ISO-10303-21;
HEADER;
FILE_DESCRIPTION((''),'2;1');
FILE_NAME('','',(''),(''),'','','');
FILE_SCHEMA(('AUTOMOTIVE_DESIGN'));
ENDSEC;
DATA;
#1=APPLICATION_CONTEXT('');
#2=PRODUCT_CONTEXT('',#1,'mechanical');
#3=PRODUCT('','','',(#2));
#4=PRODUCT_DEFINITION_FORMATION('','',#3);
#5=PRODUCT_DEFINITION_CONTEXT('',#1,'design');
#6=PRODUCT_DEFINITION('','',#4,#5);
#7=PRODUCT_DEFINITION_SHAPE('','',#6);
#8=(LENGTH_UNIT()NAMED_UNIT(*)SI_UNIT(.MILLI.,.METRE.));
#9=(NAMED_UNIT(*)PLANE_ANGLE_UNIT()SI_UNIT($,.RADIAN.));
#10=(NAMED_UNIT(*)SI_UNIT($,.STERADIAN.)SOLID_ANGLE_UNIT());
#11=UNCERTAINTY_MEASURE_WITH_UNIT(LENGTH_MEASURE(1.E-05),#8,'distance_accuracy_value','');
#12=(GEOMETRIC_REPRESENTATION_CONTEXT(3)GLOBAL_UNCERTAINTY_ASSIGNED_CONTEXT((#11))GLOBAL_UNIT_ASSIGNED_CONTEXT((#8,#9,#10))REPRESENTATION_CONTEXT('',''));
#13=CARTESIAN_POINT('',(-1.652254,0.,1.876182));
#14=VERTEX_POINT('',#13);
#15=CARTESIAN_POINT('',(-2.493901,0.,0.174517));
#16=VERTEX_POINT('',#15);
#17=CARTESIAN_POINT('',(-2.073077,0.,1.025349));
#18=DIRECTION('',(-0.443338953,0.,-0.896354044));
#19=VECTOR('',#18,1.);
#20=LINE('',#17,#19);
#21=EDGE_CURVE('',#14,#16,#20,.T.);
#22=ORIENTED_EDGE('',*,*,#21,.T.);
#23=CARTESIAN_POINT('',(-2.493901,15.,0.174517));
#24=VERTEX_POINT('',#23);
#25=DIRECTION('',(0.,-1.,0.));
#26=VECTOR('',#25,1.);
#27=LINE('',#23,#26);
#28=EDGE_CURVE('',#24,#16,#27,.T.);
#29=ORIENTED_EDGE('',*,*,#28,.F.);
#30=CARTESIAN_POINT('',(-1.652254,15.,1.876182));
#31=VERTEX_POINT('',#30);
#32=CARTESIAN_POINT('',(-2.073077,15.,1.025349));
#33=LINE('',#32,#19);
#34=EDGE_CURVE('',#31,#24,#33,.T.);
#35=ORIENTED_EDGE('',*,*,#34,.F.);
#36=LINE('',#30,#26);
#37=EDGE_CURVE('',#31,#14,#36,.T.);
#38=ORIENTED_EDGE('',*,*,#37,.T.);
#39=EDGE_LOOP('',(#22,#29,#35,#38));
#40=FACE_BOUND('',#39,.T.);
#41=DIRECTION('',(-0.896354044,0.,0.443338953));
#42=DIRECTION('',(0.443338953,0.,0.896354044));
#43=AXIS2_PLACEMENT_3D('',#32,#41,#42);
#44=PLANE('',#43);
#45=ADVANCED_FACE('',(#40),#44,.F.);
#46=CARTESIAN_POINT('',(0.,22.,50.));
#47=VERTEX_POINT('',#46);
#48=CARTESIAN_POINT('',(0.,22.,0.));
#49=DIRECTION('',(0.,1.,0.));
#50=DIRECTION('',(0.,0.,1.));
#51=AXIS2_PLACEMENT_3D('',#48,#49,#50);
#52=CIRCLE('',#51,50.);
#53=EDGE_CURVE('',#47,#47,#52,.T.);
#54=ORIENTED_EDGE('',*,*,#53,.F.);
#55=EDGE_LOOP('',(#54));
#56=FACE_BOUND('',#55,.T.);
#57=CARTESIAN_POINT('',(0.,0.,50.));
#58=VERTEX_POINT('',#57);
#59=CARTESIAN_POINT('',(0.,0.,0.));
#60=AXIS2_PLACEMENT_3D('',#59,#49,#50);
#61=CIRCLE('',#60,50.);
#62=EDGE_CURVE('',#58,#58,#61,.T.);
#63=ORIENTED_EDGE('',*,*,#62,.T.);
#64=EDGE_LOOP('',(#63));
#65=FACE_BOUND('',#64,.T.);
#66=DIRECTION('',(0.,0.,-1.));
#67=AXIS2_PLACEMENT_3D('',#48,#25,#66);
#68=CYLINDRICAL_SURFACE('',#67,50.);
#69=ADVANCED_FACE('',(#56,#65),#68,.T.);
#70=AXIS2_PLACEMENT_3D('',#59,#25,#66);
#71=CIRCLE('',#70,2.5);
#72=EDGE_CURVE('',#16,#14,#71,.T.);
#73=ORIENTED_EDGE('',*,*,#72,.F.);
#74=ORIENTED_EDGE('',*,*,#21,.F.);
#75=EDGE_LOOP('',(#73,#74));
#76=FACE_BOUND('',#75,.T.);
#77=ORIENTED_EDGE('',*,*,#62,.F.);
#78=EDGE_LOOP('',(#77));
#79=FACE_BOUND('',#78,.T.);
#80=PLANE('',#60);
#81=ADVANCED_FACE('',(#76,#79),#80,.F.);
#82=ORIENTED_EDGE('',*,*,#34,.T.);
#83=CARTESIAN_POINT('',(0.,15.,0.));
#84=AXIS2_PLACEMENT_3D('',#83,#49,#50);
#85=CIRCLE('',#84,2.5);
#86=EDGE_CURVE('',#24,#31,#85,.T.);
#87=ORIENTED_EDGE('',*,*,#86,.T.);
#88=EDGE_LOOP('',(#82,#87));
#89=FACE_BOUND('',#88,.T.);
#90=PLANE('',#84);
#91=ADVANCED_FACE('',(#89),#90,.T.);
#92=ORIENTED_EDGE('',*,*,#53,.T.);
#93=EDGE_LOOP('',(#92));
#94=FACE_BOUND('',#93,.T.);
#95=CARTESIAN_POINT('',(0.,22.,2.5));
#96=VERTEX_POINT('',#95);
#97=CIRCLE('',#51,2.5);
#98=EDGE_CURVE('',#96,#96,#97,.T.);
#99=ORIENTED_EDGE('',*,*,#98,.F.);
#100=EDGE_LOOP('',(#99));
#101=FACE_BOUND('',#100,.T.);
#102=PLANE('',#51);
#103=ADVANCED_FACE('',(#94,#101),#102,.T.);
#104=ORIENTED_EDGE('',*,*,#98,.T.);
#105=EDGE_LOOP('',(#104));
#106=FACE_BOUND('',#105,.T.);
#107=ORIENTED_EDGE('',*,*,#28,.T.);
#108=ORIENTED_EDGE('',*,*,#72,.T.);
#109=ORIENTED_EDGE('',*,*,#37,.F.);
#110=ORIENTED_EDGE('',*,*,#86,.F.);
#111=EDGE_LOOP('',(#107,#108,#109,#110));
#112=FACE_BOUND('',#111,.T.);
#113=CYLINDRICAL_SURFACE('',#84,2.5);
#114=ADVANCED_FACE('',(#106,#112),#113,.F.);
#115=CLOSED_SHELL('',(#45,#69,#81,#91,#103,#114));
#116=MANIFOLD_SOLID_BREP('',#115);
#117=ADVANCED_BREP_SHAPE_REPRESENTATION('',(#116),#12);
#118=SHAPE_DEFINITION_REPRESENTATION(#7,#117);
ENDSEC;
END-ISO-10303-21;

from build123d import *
from build123d.topology import SkipClean

# Parameters (mm, degrees)
ESQUISSE1_R             = 50
BOSS_EXTRU_1_DEPTH      = 22
ESQUISSE4_R             = 2.5
ENL_V_MAT_EXTRU_1_DEPTH = 7
ENL_V_START             = -15
ENL_V_MAT_EXTRU_2_DEPTH = 15


with BuildPart() as part:
    # Esquisse1 → Boss.-Extru.1 (new body)
    with BuildSketch(Plane(origin=(0, 0, 0), x_dir=(1, 0, 0), z_dir=(0, 1, 0))):
        with Locations(Location((0, 0, 0), (0, 0, 270))):
            Circle(ESQUISSE1_R)
    extrude(amount=BOSS_EXTRU_1_DEPTH)

    # Esquisse4 → Enlèv. mat.-Extru.1 (cut)
    with BuildSketch(Plane(origin=(0, 22, 0), x_dir=(1, 0, 0), z_dir=(0, 1, 0))):
        with Locations(Location((0, 0, 0), (0, 0, 270))):
            Circle(ESQUISSE4_R)
    extrude(amount=-ENL_V_MAT_EXTRU_1_DEPTH, mode=Mode.SUBTRACT)

    # Esquisse5 → Enlèv. mat.-Extru.2 (cut)
    with SkipClean():  # the faces are left unmerged after this step: merging them gives an invalid solid
        with BuildSketch(Plane(origin=(0, 0, 0), x_dir=(-1, 0, 0), z_dir=(0, -1, 0)).offset(ENL_V_START)):
            with BuildLine():
                ThreePointArc((2.5, 0), (-2.278226738, 1.02940902), (1.652253656, -1.876181723))
                Line((1.652253656, -1.876181723), (2.493901331, -0.174516908))
                ThreePointArc((2.493901331, -0.174516908), (2.498474868, -0.087311719), (2.5, 0))
            make_face()
        extrude(amount=ENL_V_MAT_EXTRU_2_DEPTH, mode=Mode.SUBTRACT)


solid = part.part
